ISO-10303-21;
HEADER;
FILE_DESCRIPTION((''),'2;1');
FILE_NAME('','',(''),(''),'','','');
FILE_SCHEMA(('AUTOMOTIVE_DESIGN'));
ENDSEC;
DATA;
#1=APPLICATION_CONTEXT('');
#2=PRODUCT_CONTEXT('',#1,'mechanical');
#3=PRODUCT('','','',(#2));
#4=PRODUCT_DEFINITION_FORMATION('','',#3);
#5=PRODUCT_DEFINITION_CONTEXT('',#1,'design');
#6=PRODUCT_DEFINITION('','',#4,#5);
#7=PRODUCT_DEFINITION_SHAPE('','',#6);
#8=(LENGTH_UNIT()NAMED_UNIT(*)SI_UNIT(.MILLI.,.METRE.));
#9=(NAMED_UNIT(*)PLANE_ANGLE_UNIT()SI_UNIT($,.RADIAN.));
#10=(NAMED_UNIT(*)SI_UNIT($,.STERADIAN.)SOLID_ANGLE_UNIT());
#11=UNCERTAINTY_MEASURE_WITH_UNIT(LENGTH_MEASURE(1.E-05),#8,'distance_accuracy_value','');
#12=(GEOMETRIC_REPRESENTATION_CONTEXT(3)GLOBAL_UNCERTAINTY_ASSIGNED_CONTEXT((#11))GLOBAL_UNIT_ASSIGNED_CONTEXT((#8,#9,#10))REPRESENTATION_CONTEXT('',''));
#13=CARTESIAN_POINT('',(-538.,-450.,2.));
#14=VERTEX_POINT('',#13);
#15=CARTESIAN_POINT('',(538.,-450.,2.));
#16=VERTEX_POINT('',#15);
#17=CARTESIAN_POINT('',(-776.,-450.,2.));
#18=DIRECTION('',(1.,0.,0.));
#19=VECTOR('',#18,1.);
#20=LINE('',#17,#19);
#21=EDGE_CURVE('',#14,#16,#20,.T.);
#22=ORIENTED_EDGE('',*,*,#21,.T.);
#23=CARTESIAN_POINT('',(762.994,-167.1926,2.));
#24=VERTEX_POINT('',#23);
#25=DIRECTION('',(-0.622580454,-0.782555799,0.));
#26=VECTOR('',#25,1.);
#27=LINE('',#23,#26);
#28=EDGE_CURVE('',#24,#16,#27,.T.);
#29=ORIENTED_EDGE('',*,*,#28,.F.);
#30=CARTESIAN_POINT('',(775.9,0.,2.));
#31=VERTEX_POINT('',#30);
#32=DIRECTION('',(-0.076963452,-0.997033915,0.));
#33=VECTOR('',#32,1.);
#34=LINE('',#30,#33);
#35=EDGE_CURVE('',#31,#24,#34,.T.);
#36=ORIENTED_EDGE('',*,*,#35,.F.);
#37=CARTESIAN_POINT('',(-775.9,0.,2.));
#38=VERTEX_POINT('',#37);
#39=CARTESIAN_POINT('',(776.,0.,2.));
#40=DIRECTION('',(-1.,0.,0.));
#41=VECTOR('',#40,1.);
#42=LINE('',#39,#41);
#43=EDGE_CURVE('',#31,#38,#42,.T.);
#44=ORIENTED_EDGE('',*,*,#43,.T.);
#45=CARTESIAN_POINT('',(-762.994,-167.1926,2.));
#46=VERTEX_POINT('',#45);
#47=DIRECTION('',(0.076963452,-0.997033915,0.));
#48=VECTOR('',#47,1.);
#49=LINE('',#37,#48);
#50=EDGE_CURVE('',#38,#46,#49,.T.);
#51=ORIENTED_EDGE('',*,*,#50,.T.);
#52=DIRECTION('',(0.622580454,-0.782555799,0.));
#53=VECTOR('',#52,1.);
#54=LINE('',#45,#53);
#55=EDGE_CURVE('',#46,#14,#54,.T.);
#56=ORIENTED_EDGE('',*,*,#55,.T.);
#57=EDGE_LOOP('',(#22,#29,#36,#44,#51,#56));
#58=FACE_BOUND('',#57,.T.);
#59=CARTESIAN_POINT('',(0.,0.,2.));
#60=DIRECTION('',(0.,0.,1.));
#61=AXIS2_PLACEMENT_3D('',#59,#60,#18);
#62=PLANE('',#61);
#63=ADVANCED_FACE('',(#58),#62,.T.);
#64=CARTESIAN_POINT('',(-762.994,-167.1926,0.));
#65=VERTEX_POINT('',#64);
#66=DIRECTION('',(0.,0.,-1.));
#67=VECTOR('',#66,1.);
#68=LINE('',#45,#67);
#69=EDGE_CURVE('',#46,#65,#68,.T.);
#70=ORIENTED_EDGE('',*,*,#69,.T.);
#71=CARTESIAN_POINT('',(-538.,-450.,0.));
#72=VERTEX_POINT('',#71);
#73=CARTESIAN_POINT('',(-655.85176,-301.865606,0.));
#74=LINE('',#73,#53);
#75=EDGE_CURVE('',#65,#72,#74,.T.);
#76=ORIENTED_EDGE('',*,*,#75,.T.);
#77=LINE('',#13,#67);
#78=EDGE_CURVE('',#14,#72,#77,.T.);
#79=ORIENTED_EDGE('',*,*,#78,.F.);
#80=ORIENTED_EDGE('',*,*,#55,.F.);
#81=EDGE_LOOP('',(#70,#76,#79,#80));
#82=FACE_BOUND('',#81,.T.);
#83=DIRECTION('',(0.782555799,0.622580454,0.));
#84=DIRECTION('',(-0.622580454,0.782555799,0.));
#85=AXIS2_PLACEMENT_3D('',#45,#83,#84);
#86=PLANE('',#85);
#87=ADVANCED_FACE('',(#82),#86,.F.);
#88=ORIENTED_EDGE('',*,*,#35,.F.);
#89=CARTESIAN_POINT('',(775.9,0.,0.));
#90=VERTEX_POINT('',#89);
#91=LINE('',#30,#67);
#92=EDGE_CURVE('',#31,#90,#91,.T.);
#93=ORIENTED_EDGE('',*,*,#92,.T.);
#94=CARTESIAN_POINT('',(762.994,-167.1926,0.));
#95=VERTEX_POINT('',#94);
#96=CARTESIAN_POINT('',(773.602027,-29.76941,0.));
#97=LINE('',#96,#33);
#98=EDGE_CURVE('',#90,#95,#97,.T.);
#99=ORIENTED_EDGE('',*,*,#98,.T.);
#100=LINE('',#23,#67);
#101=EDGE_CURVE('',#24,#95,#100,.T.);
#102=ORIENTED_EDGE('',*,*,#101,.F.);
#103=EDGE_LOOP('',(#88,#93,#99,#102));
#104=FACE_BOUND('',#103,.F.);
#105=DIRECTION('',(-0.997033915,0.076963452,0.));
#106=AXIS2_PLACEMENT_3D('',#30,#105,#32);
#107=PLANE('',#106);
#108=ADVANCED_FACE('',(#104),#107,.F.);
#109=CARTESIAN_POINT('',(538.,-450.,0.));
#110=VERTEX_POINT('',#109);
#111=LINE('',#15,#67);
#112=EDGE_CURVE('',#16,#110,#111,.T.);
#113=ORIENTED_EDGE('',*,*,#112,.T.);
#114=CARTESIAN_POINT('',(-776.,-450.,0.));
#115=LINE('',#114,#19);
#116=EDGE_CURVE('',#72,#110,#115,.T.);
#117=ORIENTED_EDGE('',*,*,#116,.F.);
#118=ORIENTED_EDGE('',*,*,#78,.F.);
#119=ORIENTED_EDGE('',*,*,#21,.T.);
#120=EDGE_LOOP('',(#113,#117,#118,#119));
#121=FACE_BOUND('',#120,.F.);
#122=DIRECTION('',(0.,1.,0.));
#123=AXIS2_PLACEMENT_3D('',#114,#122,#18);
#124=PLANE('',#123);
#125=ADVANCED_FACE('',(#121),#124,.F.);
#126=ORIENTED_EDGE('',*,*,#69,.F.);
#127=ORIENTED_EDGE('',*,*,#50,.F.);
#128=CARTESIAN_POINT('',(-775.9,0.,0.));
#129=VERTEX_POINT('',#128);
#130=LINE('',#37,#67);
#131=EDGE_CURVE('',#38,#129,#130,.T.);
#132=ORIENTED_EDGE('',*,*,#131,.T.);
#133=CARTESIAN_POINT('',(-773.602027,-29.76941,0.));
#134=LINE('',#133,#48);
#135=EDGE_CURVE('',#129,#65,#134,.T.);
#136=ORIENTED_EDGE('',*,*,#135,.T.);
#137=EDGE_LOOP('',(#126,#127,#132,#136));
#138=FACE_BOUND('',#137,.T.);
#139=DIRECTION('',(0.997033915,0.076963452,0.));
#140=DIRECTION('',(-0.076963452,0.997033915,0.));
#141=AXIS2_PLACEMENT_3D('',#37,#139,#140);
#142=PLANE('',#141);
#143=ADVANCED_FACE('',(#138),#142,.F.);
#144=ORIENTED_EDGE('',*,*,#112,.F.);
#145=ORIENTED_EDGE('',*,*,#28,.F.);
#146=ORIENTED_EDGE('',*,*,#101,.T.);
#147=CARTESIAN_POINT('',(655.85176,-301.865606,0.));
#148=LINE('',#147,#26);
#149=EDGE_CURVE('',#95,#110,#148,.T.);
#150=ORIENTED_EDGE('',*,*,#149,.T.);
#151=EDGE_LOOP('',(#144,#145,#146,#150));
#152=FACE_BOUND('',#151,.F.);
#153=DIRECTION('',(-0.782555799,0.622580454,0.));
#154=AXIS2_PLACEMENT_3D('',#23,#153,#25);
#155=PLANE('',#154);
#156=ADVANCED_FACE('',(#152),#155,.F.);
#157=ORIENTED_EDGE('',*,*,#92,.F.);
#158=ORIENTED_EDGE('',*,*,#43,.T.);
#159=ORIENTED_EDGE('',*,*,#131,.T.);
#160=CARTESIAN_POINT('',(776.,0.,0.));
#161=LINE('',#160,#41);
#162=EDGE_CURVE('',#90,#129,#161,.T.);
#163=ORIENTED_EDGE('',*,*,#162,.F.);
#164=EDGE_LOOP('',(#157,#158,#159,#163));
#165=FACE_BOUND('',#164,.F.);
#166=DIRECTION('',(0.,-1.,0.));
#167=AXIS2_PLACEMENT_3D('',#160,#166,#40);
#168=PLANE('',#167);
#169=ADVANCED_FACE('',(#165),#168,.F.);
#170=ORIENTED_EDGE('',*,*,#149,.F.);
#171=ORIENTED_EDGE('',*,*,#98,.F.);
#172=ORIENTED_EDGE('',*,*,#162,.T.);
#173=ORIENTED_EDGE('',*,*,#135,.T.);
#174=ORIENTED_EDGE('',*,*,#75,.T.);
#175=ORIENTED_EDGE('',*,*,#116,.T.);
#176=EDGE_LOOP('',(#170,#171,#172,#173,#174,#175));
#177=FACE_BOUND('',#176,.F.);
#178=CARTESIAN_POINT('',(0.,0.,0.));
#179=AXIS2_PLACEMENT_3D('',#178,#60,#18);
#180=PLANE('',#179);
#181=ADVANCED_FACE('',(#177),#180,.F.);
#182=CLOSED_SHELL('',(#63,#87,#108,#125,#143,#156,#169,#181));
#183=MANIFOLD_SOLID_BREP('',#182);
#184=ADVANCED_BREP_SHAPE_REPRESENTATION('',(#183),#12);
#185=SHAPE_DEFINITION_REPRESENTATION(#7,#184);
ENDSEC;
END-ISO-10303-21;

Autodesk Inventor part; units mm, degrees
ref_plane "YZ Plane" through (0, 0, 0) normal (1, 0, 0) x (0, 1, 0)
ref_plane "XZ Plane" through (0, 0, 0) normal (0, 1, 0) x (-1, 0, 0)
ref_plane "XY Plane" through (0, 0, 0) normal (0, 0, 1) x (1, 0, 0)
sketch "Sketch1" plane through (0, 0, 0) normal (0, 0, 1) x (1, 0, 0)
  line L0 (-776, -450) -> (776, -450)
  line L1 (776, -450) -> (776, 0)
  line L2 (776, 0) -> (-776, 0)
  line L3 (-776, 0) -> (-776, -450)
  point P0 (0, 0)
  point P1 (0, 0)
  dimension "d0" = 450
  dimension "d1" = 1552
extrude "Plate1" add sketch "Sketch1" along normal blind 2
sketch "Sketch2" plane through (0, 0, 2) normal (0, 0, 1) x (1, 0, 0)
  line L0 (776, -450) -> (-776, -450) projected
  line L1 (776, 0) -> (776, -450) projected
  line L2 (-776, 0) -> (776, 0) projected
  line L3 (-776, -450) -> (-776, 0) projected
  line L4 (775.9, 0) -> (762.994, -167.1926)
  line L5 (762.994, -167.1926) -> (538, -450)
  line L6 (776, -450) -> (-776, -450) projected
  point P0 (0, 0)
  point P1 (0, -450)
  dimension "d3" = 0.1
  dimension "d9" = 167.1926
  dimension "d13" = 85.586
  dimension "d14" = 51.495
  dimension "d15" = 538
extrude "Extrusion1" cut sketch "Sketch2" against normal through all contours L0 L5 L4 L2 L1
mirror "Mirror1" about plane through (0, 0, 0) normal (1, 0, 0) of "Extrusion1"
equation "\"d2\" = Thickness"
equation "\"BendReliefWidth\" = Thickness"
equation "\"BendReliefDepth\" = 0.5 * Thickness"
equation "\"CornerReliefSize\" = 4 * Thickness"
equation "\"MinimumRemnant\" = 2 * Thickness"
equation "\"TransitionRadius\" = BendRadius"
equation "\"JacobiRadiusSize\" = BendRadius"
equation "\"GapSize\" = Thickness"
equation "\"Thickness\" = 2"
equation "\"BendRadius\" = 2.75"
properties part number "MSC 704 FACE 4" material "Stainless Steel"
